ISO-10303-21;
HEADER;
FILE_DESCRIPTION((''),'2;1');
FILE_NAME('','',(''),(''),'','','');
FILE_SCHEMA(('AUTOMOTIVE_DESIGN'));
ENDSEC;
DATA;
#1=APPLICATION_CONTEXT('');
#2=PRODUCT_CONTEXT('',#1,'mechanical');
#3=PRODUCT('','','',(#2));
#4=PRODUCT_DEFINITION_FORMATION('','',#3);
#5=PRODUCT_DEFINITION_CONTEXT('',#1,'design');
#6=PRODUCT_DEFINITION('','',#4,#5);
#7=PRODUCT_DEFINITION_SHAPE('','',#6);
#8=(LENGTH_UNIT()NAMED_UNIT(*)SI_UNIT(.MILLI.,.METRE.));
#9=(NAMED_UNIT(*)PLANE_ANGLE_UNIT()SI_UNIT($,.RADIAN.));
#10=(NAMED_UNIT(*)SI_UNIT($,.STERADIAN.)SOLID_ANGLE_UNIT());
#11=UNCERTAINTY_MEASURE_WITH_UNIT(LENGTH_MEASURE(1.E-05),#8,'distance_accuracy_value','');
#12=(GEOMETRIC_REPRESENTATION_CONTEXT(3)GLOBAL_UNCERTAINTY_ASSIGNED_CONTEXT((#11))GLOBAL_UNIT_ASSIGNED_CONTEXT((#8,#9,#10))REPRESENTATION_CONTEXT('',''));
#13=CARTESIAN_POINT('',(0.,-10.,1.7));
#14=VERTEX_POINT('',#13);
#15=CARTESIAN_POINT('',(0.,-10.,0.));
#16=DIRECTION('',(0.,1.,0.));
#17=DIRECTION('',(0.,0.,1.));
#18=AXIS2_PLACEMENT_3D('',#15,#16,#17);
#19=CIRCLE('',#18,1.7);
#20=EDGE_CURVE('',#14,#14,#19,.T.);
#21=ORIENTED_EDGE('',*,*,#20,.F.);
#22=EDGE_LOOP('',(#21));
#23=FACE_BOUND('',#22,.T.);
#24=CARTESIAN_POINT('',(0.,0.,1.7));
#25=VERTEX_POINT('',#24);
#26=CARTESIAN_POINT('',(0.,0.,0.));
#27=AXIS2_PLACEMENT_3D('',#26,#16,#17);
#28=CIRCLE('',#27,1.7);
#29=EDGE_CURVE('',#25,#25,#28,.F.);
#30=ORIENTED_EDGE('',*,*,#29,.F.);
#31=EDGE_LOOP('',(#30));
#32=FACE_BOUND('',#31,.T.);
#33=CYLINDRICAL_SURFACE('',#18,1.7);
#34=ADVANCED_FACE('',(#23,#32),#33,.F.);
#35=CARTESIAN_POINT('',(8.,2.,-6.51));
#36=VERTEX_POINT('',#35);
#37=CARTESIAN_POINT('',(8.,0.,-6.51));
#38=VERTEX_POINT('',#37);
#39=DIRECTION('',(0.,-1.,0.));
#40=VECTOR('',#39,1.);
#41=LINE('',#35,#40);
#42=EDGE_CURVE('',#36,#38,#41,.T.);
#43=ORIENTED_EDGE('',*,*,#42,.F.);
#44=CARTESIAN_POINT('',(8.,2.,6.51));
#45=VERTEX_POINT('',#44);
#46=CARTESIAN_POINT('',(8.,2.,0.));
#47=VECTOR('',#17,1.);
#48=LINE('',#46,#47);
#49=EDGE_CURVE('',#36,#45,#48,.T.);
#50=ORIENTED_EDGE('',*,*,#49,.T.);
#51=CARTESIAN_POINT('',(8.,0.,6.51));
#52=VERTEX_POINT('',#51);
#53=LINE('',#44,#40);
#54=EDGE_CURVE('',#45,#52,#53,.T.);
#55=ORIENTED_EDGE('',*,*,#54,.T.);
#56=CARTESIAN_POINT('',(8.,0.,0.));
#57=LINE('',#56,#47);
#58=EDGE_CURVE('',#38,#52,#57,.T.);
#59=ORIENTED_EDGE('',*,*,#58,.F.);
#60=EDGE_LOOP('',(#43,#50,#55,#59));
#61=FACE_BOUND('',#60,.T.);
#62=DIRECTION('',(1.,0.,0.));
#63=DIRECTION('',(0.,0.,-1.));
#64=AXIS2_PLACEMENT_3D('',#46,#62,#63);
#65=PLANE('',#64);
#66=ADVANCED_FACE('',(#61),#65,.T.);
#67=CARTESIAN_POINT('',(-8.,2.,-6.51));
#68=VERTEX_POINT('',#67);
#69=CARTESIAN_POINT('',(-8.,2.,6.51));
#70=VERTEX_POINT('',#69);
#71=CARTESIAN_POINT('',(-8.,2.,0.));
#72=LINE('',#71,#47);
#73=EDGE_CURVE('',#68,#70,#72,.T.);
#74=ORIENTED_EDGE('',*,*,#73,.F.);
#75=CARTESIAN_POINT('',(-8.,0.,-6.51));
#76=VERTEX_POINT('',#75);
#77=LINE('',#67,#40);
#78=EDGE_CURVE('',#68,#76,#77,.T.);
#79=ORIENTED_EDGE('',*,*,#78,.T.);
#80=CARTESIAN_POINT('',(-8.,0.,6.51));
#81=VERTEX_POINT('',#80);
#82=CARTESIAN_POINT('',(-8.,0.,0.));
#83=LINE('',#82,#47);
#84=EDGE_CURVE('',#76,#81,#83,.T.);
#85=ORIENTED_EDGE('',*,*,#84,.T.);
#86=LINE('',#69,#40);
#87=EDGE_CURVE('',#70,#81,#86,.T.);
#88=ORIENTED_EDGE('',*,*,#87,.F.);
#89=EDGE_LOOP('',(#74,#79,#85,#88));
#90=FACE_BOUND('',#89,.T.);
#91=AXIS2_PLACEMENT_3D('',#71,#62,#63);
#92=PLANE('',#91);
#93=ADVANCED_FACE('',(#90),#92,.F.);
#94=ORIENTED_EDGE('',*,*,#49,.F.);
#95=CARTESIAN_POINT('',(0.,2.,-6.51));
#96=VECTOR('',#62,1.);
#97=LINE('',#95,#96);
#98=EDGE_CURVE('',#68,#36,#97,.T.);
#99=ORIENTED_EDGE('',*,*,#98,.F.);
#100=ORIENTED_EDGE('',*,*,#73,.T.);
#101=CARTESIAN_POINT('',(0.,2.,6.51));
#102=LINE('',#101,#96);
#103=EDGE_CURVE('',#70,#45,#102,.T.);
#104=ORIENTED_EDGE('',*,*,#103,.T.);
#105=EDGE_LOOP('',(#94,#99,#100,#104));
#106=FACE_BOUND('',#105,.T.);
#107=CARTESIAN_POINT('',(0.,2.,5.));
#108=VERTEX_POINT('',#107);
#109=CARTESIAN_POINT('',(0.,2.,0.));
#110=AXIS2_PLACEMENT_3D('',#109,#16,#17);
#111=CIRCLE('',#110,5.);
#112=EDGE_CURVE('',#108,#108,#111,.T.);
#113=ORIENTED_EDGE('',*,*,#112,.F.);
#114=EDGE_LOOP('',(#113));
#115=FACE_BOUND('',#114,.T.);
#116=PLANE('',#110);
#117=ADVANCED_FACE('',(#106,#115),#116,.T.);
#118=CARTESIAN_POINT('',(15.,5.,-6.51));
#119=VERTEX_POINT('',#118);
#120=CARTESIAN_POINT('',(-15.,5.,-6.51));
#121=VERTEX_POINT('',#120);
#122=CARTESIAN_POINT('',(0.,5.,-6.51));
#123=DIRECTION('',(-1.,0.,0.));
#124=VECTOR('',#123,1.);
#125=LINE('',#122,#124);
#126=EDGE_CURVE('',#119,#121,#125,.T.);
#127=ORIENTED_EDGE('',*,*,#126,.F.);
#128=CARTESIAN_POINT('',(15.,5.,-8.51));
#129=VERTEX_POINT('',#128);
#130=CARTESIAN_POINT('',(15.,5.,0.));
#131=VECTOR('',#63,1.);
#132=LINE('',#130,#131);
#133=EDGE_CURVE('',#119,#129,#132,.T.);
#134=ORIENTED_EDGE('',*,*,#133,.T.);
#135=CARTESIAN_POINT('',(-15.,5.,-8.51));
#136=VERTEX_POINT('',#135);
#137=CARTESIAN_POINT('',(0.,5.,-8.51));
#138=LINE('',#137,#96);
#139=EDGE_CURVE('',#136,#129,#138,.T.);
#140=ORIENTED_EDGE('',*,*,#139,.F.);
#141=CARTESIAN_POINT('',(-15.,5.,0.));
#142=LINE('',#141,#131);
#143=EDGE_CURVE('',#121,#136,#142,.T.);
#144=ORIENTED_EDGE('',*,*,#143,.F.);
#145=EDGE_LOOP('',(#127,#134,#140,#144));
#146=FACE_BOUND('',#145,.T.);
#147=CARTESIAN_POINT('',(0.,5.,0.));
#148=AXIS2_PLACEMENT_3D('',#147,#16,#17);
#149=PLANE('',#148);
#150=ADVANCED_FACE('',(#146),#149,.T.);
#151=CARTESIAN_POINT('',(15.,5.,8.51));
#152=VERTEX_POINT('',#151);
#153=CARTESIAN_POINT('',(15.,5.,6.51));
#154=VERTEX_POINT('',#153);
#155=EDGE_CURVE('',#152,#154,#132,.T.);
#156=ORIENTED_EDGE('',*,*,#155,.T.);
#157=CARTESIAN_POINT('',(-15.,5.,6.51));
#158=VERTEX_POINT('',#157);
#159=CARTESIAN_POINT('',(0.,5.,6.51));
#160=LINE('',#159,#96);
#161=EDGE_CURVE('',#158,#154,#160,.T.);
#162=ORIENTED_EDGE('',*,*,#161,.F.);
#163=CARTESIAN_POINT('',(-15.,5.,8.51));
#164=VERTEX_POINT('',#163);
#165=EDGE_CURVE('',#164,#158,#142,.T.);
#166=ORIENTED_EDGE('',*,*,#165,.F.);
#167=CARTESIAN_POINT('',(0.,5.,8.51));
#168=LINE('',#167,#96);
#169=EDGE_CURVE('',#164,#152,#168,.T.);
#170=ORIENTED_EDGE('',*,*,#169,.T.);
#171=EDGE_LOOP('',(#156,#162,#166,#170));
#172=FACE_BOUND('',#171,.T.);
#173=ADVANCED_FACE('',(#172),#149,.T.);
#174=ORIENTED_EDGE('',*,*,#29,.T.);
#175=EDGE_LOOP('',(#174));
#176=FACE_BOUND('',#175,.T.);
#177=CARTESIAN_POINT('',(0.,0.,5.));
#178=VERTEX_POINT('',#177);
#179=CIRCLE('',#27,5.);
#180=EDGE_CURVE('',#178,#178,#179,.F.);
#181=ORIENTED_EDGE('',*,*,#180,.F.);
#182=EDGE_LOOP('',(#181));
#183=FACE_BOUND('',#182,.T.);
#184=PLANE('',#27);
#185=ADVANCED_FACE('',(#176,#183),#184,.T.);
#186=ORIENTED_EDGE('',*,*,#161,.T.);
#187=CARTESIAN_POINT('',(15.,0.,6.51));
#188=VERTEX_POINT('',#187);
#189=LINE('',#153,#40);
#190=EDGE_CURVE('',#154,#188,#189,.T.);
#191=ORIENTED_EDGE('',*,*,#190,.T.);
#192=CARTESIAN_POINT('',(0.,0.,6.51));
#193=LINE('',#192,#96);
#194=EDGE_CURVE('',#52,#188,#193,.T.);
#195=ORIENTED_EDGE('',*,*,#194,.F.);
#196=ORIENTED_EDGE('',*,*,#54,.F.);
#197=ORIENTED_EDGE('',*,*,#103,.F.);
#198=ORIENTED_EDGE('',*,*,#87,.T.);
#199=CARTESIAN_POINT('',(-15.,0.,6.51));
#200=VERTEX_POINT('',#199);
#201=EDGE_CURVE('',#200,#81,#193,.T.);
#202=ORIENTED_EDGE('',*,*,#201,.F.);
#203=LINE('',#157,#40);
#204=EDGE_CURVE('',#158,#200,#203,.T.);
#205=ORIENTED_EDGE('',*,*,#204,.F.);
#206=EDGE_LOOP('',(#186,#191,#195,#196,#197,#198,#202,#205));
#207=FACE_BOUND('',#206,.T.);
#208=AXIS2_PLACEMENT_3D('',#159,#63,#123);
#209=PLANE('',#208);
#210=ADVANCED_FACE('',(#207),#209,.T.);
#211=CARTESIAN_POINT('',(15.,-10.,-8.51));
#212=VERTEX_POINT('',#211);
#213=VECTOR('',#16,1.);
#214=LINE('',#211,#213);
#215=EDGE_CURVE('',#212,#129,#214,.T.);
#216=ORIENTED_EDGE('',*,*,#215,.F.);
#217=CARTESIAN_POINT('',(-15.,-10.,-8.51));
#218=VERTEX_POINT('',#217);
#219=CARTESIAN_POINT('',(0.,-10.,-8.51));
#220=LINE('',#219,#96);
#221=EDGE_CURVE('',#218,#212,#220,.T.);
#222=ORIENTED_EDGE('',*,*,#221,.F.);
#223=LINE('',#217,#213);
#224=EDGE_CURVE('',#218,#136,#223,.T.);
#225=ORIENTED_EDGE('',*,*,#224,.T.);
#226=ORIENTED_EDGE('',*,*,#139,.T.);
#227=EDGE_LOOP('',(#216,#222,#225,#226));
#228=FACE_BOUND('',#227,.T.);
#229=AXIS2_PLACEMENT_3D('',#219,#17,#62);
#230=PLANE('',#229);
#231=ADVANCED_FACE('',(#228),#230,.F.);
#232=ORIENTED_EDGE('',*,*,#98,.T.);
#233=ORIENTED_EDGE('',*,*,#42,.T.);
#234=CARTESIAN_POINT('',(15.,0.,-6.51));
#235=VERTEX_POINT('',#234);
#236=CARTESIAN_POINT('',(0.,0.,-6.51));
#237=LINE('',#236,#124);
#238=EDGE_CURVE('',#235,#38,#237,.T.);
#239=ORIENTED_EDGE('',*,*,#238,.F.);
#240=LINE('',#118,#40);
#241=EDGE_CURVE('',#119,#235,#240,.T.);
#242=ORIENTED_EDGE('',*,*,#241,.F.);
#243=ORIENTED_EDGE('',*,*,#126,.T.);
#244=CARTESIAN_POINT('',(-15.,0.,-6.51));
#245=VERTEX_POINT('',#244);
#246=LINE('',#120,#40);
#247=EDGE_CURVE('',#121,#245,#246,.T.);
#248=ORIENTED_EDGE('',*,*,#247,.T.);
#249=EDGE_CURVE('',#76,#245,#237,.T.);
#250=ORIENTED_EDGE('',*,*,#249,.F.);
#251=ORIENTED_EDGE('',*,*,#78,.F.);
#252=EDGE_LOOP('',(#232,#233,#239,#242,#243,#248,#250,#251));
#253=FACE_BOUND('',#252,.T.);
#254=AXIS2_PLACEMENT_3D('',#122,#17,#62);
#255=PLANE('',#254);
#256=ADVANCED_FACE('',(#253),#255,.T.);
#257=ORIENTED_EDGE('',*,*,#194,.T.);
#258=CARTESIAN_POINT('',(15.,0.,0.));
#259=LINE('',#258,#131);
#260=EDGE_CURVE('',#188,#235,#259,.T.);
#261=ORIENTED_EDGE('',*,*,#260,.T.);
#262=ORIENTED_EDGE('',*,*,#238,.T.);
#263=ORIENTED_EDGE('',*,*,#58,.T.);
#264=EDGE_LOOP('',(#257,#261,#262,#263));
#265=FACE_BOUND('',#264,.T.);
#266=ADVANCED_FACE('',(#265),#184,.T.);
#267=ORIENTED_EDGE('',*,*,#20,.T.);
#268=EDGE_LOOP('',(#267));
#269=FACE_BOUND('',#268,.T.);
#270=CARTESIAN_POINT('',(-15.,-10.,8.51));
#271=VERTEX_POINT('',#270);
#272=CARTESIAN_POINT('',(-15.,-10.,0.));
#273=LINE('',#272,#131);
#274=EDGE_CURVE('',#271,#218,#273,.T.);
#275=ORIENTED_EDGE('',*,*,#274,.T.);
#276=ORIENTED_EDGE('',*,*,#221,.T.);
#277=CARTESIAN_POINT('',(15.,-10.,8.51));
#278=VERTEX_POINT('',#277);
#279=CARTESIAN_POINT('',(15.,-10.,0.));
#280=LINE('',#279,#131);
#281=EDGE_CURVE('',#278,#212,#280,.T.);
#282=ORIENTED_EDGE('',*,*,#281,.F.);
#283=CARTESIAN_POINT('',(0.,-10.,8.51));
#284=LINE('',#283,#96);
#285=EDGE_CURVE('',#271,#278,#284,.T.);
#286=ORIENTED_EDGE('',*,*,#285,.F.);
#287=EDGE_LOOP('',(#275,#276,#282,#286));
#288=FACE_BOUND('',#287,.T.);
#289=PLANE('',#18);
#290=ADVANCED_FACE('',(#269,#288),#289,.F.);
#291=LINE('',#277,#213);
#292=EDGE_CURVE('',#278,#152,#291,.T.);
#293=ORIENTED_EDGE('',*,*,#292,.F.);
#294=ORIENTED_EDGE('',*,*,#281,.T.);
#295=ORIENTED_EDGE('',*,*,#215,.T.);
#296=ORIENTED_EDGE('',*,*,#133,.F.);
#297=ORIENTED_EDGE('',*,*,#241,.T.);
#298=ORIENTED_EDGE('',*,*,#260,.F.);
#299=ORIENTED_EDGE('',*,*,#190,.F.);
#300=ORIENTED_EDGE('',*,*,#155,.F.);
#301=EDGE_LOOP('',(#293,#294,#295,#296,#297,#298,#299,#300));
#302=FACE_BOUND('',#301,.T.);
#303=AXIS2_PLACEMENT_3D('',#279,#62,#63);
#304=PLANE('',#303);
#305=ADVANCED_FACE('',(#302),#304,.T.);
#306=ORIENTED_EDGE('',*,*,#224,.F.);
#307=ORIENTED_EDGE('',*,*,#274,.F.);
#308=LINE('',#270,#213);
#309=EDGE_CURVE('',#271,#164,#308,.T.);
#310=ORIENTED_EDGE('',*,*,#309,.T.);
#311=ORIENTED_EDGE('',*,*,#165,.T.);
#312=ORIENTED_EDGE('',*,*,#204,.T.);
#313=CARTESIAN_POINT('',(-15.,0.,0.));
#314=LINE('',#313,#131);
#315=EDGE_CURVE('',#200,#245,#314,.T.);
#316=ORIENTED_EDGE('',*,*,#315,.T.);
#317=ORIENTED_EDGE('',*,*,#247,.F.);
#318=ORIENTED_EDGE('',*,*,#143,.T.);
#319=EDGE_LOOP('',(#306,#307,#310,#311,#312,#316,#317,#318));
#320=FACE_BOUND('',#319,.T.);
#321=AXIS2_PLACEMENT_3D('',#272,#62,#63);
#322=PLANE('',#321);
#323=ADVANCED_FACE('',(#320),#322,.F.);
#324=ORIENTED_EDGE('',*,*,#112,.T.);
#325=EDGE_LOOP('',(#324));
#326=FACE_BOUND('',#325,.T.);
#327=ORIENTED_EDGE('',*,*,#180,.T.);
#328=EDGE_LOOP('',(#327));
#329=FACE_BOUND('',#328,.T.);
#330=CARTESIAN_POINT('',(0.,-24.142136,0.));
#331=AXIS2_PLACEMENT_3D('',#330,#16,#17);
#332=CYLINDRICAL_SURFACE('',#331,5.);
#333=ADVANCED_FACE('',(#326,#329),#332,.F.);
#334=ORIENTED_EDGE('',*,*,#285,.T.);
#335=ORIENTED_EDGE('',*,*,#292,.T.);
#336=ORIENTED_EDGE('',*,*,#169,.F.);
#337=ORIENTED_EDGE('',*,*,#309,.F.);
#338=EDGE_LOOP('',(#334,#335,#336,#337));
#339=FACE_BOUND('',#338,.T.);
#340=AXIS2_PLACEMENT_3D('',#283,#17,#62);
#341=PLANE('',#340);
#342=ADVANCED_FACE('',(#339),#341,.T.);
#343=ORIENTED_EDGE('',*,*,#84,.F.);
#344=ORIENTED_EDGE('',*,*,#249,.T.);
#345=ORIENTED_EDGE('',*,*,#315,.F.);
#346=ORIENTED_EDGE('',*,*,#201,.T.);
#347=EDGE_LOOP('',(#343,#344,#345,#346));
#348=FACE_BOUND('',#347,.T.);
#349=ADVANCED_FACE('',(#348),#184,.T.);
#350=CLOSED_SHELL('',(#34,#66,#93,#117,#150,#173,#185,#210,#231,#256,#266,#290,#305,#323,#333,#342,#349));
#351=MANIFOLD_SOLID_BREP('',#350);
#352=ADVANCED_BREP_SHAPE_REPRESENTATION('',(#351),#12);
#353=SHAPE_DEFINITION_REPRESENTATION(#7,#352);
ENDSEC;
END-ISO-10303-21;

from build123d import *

# Parameters (mm, degrees)
SKETCH1_W           = 16
SKETCH1_H           = 13.02
SKETCH1_W_2         = 7
BOSS_EXTRUDE1_DEPTH = 10
SKETCH1_3_W         = 16
SKETCH1_3_H         = 13.02
BOSS_EXTRUDE2_DEPTH = 2
BOSS_EXTRUDE3_DEPTH = 5
SKETCH2_R           = 1.7
CUT_EXTRUDE1_DEPTH  = 22.01
SKETCH2_3_R         = 5
SKETCH2_3_R_2       = 1.7
CUT_EXTRUDE2_DEPTH  = 2


with BuildPart() as part:
    # Sketch1 → Boss-Extrude1 (new body)
    with BuildSketch(Plane(origin=(0, 0, 0), x_dir=(1, 0, 0), z_dir=(0, 1, 0))):
        Polygon((-15, -6.51), (-15, -8.51), (15, -8.51), (15, -6.51), (8, -6.51), (-8, -6.51), align=None)
        Rectangle(SKETCH1_W, SKETCH1_H)
        Polygon((-15, 8.51), (-15, 6.51), (-8, 6.51), (8, 6.51), (15, 6.51), (15, 8.51), align=None)
        with Locations((11.5, 0)):
            Rectangle(SKETCH1_W_2, SKETCH1_H)
        with Locations((-11.5, 0)):
            Rectangle(SKETCH1_W_2, SKETCH1_H)
    extrude(amount=-BOSS_EXTRUDE1_DEPTH)

    # Sketch1<3> → Boss-Extrude2 (add)
    with BuildSketch(Plane(origin=(0, 0, 0), x_dir=(1, 0, 0), z_dir=(0, 1, 0))):
        Rectangle(SKETCH1_3_W, SKETCH1_3_H)
    extrude(amount=BOSS_EXTRUDE2_DEPTH)

    # Sketch1<4> → Boss-Extrude3 (add)
    with BuildSketch(Plane(origin=(0, 0, 0), x_dir=(1, 0, 0), z_dir=(0, 1, 0))):
        Polygon((-15, -6.51), (-15, -8.51), (15, -8.51), (15, -6.51), (8, -6.51), (-8, -6.51), align=None)
        Polygon((-15, 8.51), (-15, 6.51), (-8, 6.51), (8, 6.51), (15, 6.51), (15, 8.51), align=None)
    extrude(amount=BOSS_EXTRUDE3_DEPTH)

    # Sketch2 → Cut-Extrude1 (cut, through all)
    with BuildSketch(Plane(origin=(0, 2, 0), x_dir=(1, 0, 0), z_dir=(0, 1, 0))):
        with Locations(Location((0, 0, 0), (0, 0, 270))):
            Circle(SKETCH2_R)
    extrude(amount=-CUT_EXTRUDE1_DEPTH, mode=Mode.SUBTRACT)

    # Sketch2<3> → Cut-Extrude2 (cut)
    with BuildSketch(Plane(origin=(0, 2, 0), x_dir=(1, 0, 0), z_dir=(0, 1, 0))):
        with Locations(Location((0, 0, 0), (0, 0, 270))):
            Circle(SKETCH2_3_R)
        with Locations(Location((0, 0, 0), (0, 0, 270))):
            Circle(SKETCH2_3_R_2, mode=Mode.SUBTRACT)
    extrude(amount=-CUT_EXTRUDE2_DEPTH, mode=Mode.SUBTRACT)


solid = part.part
